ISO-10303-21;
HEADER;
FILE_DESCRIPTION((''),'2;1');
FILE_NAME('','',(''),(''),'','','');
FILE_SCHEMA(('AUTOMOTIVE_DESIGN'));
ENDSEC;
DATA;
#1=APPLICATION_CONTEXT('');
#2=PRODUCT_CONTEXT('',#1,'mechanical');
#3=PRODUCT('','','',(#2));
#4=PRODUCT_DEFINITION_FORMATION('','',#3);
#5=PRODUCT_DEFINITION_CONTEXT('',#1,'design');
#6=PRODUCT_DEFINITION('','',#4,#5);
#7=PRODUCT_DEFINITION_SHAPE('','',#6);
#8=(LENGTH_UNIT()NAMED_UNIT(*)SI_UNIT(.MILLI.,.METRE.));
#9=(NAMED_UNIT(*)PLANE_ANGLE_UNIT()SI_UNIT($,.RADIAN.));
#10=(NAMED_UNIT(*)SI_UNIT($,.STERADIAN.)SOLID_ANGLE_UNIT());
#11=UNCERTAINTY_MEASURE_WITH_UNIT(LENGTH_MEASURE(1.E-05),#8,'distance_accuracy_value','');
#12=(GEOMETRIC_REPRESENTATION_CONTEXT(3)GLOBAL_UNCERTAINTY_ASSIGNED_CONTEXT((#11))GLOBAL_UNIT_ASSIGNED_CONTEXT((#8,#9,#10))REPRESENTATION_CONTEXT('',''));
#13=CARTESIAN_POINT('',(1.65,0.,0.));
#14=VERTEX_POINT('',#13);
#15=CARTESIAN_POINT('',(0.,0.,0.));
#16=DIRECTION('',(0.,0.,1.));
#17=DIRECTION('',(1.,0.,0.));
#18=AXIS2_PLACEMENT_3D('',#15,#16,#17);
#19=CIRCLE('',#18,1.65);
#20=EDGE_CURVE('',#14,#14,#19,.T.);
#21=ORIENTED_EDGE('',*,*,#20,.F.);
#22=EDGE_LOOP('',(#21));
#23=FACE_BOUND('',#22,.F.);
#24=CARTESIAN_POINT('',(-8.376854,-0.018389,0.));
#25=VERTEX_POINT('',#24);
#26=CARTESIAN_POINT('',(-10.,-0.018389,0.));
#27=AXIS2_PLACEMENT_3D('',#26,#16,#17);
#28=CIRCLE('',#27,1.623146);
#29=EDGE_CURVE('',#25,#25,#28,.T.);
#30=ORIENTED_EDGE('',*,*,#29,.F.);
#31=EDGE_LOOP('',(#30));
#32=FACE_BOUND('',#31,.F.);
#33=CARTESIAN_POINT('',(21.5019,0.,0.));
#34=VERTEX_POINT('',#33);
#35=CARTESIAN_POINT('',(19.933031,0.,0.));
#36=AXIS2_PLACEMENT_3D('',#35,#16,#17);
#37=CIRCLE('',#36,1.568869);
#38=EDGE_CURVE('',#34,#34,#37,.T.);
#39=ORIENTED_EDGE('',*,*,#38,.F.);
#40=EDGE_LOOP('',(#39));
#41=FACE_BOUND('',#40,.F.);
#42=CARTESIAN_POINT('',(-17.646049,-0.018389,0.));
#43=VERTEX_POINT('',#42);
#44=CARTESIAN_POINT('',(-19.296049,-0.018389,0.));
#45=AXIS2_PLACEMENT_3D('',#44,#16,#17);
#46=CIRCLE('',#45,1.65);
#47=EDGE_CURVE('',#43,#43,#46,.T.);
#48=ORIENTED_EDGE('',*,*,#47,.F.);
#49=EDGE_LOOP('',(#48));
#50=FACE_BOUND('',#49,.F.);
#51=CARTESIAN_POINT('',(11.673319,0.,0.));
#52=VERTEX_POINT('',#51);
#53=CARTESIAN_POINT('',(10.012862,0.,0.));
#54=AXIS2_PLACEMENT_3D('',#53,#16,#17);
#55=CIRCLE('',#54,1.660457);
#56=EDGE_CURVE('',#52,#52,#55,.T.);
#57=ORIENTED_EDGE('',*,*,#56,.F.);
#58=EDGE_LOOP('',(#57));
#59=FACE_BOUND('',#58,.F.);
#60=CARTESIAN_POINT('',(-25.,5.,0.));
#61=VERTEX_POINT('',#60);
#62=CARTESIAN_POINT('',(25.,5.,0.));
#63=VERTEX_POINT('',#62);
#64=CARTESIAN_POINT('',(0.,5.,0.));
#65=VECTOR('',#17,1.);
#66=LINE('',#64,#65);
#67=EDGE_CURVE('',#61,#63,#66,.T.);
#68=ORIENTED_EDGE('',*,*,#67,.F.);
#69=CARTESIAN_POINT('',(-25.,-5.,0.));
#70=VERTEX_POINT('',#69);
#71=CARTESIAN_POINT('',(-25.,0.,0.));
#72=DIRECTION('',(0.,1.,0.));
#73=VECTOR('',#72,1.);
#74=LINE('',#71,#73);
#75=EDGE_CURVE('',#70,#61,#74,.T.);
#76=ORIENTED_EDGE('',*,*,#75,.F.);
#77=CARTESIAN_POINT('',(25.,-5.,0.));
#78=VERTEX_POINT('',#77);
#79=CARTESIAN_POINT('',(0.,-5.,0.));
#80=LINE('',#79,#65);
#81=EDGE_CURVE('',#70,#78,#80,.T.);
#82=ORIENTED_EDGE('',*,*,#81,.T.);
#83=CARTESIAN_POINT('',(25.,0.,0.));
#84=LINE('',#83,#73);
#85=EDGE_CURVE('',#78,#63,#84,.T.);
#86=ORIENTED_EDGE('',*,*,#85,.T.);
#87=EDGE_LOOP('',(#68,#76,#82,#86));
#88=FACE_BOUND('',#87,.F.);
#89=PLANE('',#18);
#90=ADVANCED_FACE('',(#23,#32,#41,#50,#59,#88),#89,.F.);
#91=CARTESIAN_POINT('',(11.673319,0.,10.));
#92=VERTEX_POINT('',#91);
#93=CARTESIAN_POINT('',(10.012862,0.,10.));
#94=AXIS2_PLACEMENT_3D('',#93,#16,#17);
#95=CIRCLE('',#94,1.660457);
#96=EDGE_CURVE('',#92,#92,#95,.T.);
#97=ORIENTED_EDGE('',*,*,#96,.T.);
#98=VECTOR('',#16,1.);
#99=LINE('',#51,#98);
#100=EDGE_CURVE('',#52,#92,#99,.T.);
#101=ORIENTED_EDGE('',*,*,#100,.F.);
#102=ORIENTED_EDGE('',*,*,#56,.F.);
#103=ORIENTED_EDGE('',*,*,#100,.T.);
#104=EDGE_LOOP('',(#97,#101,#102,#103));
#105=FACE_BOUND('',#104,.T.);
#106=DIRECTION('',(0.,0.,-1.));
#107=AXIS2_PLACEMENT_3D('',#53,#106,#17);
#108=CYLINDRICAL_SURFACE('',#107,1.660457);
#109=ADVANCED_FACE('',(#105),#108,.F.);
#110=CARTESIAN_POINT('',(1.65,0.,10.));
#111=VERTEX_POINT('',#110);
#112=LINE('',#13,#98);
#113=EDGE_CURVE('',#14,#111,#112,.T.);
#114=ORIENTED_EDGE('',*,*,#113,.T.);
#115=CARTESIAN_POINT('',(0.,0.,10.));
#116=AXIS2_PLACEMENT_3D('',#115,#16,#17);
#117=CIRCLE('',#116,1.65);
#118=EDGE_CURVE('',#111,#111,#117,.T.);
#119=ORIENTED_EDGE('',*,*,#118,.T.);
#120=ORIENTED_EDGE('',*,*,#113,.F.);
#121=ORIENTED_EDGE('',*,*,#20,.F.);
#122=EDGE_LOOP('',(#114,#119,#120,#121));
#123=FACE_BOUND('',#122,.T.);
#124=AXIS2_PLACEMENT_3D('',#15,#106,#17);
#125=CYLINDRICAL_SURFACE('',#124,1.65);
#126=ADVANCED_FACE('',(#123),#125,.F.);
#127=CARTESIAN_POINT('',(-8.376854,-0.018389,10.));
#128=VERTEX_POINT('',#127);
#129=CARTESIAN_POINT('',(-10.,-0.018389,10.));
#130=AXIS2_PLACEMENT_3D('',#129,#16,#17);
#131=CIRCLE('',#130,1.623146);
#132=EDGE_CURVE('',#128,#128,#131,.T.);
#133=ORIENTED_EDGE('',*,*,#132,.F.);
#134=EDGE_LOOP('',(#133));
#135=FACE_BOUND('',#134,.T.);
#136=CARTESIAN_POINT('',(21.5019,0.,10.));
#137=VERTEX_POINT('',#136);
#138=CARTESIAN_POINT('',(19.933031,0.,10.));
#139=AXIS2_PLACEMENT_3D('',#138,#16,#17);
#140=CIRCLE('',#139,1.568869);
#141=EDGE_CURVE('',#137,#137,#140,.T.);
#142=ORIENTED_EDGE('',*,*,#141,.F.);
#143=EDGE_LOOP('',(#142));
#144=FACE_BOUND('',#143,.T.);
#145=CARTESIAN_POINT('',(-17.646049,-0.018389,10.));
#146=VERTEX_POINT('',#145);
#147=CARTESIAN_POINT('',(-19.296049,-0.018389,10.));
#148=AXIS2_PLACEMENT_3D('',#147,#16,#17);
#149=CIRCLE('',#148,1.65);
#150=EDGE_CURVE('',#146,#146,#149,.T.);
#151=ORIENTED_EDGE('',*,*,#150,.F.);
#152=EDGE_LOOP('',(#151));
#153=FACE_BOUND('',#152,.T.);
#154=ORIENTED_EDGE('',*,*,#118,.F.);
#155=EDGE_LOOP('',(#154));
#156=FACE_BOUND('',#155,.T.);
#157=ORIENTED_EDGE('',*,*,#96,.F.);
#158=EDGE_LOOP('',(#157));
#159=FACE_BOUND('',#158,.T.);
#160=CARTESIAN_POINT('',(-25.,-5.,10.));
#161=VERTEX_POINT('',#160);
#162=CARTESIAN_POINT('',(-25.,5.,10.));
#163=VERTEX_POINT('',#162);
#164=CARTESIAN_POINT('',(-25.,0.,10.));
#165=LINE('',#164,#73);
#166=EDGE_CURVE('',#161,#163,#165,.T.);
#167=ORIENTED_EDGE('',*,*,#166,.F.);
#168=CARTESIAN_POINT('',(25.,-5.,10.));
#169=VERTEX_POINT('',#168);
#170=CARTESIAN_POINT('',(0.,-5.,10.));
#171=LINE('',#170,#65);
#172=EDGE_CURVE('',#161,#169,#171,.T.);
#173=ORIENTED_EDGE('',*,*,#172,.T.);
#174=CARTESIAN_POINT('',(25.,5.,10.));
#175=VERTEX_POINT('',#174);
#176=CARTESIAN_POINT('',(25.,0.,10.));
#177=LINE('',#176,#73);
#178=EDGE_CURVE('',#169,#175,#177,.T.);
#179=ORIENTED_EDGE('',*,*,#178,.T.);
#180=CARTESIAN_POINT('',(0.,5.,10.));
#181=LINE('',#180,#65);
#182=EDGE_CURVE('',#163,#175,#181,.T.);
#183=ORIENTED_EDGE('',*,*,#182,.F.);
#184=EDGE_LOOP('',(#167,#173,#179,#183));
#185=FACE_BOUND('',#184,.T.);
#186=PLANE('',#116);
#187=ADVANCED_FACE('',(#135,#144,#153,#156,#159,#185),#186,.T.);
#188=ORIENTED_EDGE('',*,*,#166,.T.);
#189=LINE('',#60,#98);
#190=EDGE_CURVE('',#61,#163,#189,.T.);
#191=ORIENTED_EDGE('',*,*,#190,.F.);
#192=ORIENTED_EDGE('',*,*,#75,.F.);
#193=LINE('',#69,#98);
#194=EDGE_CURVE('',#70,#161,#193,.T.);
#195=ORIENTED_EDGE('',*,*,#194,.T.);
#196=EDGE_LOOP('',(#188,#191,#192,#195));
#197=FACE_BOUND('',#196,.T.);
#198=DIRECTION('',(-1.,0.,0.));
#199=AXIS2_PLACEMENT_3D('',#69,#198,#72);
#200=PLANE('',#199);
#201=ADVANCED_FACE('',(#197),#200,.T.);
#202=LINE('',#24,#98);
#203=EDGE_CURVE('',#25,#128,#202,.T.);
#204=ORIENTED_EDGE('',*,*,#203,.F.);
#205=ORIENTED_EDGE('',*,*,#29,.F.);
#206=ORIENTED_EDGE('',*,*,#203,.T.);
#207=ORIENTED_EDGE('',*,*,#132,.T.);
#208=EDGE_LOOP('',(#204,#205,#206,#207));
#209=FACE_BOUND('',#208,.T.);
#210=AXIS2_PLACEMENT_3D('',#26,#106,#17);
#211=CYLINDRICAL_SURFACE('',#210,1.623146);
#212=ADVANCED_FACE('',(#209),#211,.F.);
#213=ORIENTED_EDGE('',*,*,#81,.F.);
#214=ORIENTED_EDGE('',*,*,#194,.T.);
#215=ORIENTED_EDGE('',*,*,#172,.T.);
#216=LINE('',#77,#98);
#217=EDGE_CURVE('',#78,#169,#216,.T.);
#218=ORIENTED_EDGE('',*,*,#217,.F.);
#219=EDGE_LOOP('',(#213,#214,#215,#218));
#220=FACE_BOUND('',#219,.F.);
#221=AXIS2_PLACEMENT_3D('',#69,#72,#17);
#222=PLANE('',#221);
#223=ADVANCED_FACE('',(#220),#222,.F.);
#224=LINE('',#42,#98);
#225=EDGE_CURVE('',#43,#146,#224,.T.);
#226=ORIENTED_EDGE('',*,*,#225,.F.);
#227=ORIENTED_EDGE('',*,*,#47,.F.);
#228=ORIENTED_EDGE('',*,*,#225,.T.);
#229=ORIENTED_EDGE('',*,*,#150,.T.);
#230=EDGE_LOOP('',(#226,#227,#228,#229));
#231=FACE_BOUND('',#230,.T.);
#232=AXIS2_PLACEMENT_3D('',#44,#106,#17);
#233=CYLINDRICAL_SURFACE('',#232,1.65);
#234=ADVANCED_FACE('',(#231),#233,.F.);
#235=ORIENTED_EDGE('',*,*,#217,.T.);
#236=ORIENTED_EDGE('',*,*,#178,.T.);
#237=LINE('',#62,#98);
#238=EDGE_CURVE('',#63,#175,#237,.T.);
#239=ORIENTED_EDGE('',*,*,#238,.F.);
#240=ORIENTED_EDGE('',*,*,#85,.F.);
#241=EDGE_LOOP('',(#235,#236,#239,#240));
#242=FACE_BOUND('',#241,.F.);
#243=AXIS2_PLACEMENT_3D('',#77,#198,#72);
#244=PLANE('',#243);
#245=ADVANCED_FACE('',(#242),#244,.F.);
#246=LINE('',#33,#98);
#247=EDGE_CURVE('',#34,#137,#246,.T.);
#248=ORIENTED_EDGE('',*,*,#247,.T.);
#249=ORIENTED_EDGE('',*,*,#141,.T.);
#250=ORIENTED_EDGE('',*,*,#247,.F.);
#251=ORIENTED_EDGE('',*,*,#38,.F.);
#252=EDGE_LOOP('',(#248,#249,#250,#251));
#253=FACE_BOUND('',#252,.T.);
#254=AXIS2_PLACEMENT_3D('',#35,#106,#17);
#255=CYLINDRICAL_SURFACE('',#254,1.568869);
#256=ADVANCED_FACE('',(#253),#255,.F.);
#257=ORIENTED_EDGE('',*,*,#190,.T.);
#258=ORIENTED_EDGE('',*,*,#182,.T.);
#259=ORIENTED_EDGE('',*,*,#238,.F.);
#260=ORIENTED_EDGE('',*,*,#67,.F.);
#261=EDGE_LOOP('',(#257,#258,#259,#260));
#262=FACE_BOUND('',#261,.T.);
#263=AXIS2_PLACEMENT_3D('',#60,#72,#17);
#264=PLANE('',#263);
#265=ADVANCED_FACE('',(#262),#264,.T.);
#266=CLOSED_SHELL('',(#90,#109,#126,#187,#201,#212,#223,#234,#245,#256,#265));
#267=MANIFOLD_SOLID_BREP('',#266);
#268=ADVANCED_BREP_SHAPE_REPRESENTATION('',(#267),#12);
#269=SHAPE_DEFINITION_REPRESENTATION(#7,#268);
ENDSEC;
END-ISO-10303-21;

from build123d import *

# Parameters (mm, degrees)
SKETCH_W      = 50
SKETCH_H      = 10
SKETCH_R      = 1.65
SKETCH_R_2    = 1.623146
SKETCH_R_3    = 1.660457
SKETCH_R_4    = 1.568869
EXTRUDE_DEPTH = 10


with BuildPart() as part:
    # Sketch → Extrude (new body)
    with BuildSketch(Plane.XY):
        Rectangle(SKETCH_W, SKETCH_H)
        Circle(SKETCH_R, mode=Mode.SUBTRACT)
        with Locations((-10, -0.018389)):
            Circle(SKETCH_R_2, mode=Mode.SUBTRACT)
        with Locations((-19.296049, -0.018389)):
            Circle(SKETCH_R, mode=Mode.SUBTRACT)
        with Locations((10.012862, 0)):
            Circle(SKETCH_R_3, mode=Mode.SUBTRACT)
        with Locations((19.933031, 0)):
            Circle(SKETCH_R_4, mode=Mode.SUBTRACT)
    extrude(amount=EXTRUDE_DEPTH)


solid = part.part
